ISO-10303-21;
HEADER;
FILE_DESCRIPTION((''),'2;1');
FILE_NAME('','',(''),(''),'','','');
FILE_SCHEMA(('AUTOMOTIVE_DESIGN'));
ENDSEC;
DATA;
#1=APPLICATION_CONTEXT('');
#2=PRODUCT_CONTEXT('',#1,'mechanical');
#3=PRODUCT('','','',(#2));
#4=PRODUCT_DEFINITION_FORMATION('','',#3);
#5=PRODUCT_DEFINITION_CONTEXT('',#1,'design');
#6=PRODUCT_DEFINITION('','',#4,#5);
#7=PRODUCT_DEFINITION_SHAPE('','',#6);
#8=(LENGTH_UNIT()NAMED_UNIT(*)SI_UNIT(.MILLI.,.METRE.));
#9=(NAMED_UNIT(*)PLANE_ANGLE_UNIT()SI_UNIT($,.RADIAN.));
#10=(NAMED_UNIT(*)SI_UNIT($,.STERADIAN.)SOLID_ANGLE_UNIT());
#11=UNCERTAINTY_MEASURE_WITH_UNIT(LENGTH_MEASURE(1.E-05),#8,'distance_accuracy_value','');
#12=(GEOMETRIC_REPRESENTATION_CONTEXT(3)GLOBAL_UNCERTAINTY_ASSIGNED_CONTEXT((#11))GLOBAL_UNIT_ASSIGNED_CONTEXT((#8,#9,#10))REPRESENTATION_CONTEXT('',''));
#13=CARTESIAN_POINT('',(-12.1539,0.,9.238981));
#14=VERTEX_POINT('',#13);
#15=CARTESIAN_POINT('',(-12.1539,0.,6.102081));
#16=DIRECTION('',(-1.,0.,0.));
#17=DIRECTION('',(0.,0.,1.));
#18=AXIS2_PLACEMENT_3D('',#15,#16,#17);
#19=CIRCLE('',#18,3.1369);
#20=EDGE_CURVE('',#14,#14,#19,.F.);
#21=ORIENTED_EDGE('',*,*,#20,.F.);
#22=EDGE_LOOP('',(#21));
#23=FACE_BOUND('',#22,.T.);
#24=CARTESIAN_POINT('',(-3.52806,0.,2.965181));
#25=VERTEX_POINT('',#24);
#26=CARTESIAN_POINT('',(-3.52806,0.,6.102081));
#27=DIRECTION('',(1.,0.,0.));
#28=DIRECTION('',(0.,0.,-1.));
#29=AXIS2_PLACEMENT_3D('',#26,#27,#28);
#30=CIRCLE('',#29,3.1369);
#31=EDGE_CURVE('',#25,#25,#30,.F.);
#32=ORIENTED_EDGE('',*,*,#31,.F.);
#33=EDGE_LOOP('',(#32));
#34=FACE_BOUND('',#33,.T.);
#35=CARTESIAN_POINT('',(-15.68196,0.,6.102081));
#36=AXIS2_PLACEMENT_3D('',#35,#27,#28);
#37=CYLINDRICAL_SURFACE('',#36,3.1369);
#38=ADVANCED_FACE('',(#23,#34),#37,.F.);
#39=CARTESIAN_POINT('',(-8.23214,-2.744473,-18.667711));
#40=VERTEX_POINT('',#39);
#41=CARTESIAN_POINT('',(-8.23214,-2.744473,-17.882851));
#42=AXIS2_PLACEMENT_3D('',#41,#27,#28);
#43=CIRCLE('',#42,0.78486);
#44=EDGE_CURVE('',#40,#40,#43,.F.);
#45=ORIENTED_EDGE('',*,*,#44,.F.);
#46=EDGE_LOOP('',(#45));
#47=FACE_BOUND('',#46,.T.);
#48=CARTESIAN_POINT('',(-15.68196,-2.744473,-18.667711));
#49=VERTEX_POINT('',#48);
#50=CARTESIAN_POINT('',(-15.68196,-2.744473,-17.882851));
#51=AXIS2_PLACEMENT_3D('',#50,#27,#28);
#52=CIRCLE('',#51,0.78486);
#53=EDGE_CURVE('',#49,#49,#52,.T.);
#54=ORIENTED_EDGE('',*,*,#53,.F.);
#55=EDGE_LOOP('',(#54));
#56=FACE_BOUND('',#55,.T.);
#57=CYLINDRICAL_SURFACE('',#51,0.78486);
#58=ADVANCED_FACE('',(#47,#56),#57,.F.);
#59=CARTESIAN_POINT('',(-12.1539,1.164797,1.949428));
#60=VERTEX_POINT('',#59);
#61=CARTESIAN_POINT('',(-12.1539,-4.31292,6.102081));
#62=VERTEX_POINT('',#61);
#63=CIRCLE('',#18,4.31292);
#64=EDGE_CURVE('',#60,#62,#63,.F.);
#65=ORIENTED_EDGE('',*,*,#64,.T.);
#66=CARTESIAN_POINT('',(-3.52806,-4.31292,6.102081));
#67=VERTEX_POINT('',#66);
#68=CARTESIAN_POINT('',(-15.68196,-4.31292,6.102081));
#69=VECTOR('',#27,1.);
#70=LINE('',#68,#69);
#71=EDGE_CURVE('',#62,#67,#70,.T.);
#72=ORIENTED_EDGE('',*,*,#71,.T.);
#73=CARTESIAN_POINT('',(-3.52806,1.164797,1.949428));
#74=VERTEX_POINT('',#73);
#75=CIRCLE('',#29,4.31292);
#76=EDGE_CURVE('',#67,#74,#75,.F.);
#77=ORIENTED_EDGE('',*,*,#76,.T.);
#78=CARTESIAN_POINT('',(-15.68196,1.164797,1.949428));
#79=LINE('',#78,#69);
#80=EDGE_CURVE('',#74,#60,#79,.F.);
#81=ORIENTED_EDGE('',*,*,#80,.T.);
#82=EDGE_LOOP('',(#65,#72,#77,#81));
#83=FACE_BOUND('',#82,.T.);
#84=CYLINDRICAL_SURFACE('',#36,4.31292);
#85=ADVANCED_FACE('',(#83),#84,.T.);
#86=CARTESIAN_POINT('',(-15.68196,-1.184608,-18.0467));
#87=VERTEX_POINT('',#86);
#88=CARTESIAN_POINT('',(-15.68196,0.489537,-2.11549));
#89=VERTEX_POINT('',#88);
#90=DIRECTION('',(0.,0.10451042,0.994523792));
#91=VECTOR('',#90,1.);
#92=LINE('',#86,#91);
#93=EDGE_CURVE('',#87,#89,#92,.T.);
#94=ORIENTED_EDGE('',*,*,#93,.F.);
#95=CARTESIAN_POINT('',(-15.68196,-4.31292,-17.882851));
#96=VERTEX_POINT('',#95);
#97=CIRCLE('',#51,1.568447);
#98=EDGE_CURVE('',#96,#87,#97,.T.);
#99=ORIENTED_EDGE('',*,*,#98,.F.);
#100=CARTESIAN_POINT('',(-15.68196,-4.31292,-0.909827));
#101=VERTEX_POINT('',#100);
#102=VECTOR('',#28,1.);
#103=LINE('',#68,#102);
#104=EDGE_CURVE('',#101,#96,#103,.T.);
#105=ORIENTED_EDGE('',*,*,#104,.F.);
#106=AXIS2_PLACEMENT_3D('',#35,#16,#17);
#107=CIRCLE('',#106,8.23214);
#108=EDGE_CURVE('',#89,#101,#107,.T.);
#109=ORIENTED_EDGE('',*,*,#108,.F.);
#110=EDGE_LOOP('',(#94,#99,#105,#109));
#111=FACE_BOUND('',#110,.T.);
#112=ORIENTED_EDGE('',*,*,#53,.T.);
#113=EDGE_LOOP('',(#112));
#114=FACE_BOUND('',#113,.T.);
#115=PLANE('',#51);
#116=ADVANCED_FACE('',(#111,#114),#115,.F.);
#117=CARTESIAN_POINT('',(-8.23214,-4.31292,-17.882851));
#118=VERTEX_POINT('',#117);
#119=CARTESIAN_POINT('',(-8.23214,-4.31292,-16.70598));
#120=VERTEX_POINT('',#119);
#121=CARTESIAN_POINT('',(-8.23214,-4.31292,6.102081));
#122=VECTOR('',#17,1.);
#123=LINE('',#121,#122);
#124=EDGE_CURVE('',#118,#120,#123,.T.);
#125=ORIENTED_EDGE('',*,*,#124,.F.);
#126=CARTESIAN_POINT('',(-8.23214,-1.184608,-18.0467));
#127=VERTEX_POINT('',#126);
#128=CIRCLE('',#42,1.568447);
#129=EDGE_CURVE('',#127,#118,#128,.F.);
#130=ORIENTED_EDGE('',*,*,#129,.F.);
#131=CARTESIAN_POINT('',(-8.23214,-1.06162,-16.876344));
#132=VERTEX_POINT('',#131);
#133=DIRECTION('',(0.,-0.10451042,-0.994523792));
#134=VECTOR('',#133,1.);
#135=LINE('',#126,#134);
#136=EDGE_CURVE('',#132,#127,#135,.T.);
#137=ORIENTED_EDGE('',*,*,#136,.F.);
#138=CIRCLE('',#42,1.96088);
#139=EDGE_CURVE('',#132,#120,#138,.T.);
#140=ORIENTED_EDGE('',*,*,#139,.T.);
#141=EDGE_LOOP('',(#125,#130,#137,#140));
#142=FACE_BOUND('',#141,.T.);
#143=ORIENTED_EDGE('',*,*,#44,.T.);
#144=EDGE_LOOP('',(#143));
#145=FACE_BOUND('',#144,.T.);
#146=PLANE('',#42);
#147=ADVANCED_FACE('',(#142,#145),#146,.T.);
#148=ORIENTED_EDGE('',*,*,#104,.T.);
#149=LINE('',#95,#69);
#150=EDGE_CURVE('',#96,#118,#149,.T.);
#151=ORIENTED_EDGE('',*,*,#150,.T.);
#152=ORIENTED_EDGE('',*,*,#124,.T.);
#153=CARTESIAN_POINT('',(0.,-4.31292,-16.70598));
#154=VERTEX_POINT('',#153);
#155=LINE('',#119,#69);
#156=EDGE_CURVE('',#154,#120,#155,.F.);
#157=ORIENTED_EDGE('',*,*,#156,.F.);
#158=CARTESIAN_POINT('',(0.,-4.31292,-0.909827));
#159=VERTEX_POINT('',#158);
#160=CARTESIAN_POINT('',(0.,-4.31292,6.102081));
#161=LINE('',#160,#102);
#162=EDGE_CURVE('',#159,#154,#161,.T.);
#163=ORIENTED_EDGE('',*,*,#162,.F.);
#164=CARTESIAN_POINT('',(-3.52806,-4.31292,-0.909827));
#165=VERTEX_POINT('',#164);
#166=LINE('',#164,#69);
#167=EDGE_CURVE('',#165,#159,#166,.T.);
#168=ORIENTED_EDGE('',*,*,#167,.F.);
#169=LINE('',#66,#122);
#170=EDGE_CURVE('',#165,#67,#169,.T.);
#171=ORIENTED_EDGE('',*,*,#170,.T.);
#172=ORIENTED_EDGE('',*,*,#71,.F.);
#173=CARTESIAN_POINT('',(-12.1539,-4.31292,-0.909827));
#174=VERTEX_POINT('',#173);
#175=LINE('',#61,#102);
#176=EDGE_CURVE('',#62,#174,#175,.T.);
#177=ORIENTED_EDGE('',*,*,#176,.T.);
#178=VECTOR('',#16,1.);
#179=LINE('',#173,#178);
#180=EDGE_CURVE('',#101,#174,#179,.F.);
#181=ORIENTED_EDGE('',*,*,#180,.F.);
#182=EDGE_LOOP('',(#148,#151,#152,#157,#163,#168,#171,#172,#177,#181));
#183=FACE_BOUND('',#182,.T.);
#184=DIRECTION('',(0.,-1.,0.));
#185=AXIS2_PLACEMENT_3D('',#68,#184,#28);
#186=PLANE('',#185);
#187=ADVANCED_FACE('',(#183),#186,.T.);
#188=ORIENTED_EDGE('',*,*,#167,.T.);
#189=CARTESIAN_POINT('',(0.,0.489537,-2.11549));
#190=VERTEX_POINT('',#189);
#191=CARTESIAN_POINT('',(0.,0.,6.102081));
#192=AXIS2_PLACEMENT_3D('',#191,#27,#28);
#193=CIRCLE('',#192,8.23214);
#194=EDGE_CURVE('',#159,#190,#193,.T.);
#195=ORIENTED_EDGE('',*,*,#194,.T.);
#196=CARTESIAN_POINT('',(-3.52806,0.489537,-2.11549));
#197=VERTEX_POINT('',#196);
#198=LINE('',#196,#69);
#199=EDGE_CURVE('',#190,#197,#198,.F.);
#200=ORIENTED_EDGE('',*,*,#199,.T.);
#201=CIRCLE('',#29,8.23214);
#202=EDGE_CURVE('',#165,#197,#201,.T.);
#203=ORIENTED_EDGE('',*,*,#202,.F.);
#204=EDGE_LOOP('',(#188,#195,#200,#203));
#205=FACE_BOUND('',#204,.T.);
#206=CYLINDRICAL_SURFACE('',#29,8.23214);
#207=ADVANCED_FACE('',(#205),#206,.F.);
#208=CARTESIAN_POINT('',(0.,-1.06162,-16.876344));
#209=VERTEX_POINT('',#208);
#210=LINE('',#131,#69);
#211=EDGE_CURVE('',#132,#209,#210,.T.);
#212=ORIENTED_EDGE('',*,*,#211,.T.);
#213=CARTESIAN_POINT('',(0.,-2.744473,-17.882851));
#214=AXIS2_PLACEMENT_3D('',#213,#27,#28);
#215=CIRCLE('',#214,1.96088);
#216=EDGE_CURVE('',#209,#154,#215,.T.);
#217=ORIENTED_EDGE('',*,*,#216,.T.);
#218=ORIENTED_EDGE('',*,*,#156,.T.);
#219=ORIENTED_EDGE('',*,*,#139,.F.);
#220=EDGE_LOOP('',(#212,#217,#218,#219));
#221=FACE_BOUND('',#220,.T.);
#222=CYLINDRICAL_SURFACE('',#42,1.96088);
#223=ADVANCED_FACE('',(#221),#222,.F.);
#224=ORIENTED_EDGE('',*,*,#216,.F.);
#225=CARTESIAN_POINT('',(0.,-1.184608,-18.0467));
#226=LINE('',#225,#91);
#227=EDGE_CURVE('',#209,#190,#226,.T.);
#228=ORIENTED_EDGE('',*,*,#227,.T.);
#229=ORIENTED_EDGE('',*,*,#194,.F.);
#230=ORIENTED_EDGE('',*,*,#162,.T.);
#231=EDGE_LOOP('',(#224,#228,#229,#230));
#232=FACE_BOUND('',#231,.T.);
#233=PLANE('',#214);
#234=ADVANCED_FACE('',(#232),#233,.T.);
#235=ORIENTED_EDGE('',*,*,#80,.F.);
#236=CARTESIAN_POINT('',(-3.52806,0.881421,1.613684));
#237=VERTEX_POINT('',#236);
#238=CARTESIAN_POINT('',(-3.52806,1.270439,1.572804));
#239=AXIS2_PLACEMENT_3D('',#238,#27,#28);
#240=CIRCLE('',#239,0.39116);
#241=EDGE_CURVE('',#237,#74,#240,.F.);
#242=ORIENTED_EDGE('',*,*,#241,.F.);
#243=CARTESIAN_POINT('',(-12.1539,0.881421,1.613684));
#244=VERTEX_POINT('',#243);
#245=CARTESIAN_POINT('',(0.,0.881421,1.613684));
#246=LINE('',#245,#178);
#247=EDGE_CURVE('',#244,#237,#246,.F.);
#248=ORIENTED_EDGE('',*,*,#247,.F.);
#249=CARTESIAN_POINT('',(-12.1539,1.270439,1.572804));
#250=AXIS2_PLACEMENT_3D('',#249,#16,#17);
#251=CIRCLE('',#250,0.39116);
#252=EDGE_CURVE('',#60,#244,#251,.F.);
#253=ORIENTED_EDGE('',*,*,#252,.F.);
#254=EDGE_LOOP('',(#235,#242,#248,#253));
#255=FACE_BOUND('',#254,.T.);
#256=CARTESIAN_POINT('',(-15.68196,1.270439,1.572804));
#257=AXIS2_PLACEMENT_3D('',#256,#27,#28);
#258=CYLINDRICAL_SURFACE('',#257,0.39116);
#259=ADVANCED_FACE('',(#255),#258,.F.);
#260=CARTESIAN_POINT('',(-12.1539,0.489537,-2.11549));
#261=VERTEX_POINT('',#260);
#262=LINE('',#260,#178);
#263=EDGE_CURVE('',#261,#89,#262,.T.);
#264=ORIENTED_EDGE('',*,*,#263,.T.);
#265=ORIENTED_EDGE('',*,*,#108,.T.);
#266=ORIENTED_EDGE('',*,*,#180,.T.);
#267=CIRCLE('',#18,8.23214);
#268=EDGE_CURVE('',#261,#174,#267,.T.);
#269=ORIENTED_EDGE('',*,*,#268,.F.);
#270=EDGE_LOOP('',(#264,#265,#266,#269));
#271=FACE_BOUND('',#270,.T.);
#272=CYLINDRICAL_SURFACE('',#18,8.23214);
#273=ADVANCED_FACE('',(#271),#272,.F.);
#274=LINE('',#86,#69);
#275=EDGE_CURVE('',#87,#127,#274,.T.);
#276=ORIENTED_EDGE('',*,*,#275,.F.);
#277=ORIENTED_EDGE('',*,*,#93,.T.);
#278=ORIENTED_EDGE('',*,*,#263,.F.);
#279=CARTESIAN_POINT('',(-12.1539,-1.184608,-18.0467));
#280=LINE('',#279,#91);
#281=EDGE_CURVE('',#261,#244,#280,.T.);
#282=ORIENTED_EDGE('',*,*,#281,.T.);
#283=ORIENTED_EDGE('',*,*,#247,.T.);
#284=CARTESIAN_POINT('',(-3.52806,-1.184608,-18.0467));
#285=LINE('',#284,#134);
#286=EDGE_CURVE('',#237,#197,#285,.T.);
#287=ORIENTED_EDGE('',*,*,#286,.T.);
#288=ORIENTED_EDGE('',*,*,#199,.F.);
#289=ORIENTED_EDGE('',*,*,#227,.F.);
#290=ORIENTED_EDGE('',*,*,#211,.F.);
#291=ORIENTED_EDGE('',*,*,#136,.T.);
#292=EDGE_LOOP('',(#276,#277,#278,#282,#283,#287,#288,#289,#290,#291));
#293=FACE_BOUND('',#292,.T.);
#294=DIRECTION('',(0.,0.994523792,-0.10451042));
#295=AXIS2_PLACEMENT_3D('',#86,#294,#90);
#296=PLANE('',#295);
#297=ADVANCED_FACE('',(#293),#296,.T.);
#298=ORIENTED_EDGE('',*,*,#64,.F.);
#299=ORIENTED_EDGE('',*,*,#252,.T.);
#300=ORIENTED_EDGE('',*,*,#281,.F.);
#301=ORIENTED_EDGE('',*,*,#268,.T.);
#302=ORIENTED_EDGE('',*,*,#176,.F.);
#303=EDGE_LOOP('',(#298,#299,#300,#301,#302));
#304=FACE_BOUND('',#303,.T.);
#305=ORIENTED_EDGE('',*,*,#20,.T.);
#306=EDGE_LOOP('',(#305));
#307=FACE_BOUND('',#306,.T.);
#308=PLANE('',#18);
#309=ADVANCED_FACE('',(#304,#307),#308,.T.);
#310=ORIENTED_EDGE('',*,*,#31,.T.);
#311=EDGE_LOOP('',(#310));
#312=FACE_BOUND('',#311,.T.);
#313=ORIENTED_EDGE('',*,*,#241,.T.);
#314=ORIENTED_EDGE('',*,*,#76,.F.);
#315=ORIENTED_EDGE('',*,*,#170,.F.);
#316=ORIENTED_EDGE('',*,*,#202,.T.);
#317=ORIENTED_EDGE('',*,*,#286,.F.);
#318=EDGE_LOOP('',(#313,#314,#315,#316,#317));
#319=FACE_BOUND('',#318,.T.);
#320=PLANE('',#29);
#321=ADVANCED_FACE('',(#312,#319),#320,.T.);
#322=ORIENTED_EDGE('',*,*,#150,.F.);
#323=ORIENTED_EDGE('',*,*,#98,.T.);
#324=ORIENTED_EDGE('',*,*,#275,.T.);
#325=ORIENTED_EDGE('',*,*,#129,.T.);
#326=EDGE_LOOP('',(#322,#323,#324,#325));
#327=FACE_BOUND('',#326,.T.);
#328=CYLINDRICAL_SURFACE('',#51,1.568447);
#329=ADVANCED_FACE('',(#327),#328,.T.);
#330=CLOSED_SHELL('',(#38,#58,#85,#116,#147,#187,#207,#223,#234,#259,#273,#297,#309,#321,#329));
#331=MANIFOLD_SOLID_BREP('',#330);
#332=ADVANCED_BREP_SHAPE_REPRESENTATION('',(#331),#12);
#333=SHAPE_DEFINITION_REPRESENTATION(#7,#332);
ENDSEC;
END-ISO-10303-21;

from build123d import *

# Parameters (mm, degrees)
SKETCH1_R           = 3.1369
SKETCH1_R_2         = 0.78486
BOSS_EXTRUDE1_DEPTH = 15.68196
FILLET1_R           = 0.39116
SKETCH2_R           = 8.23214
CUT_EXTRUDE1_DEPTH  = 3.52806
SKETCH3_R           = 8.23214
CUT_EXTRUDE2_DEPTH  = 3.52806
SKETCH4_R           = 1.96088
CUT_EXTRUDE3_DEPTH  = 8.23214


with BuildPart() as part:
    # Sketch1 → Boss-Extrude1 (new body)
    with BuildSketch(Plane(origin=(0, 0, 0), x_dir=(0, 0, -1), z_dir=(1, 0, 0))):
        with BuildLine():
            Line((-6.102081164, -4.312920003), (17.882851381, -4.312920003))
            ThreePointArc((17.882851381, -4.312920003), (19.449151228, -2.826510031), (18.046700375, -1.184608261))
            Line((18.046700375, -1.184608261), (-1.886270539, 0.910065763))
            ThreePointArc((-1.886270539, 0.910065763), (-9.458144317, 2.708896275), (-6.102081164, -4.312920003))
        make_face()
        with Locations((-6.102081164, -3e-09)):
            Circle(SKETCH1_R, mode=Mode.SUBTRACT)
        with Locations((17.882851381, -2.74447324)):
            Circle(SKETCH1_R_2, mode=Mode.SUBTRACT)
    extrude(amount=-BOSS_EXTRUDE1_DEPTH)

    # Fillet1
    fillet1_edges = [part.edges().sort_by_distance(p)[0] for p in [
        (-7.84098, 0.910065763, 1.886270539),
    ]]
    fillet(fillet1_edges, radius=FILLET1_R)

    # Sketch2 → Cut-Extrude1 (cut)
    with BuildSketch(Plane(origin=(0, 0, 0), x_dir=(0, 0, -1), z_dir=(1, 0, 0))):
        with Locations((-6.102081164, -3e-09)):
            Circle(SKETCH2_R)
    extrude(amount=-CUT_EXTRUDE1_DEPTH, mode=Mode.SUBTRACT)

    # Sketch3 → Cut-Extrude2 (cut)
    with BuildSketch(Plane.ZY.offset(15.68196)):
        with Locations((6.102081164, -3e-09)):
            Circle(SKETCH3_R)
    extrude(amount=-CUT_EXTRUDE2_DEPTH, mode=Mode.SUBTRACT)

    # Sketch4 → Cut-Extrude3 (cut)
    with BuildSketch(Plane(origin=(0, 0, 0), x_dir=(0, 0, -1), z_dir=(1, 0, 0))):
        with Locations((17.882851381, -2.74447324)):
            Circle(SKETCH4_R)
    extrude(amount=-CUT_EXTRUDE3_DEPTH, mode=Mode.SUBTRACT)


solid = part.part
